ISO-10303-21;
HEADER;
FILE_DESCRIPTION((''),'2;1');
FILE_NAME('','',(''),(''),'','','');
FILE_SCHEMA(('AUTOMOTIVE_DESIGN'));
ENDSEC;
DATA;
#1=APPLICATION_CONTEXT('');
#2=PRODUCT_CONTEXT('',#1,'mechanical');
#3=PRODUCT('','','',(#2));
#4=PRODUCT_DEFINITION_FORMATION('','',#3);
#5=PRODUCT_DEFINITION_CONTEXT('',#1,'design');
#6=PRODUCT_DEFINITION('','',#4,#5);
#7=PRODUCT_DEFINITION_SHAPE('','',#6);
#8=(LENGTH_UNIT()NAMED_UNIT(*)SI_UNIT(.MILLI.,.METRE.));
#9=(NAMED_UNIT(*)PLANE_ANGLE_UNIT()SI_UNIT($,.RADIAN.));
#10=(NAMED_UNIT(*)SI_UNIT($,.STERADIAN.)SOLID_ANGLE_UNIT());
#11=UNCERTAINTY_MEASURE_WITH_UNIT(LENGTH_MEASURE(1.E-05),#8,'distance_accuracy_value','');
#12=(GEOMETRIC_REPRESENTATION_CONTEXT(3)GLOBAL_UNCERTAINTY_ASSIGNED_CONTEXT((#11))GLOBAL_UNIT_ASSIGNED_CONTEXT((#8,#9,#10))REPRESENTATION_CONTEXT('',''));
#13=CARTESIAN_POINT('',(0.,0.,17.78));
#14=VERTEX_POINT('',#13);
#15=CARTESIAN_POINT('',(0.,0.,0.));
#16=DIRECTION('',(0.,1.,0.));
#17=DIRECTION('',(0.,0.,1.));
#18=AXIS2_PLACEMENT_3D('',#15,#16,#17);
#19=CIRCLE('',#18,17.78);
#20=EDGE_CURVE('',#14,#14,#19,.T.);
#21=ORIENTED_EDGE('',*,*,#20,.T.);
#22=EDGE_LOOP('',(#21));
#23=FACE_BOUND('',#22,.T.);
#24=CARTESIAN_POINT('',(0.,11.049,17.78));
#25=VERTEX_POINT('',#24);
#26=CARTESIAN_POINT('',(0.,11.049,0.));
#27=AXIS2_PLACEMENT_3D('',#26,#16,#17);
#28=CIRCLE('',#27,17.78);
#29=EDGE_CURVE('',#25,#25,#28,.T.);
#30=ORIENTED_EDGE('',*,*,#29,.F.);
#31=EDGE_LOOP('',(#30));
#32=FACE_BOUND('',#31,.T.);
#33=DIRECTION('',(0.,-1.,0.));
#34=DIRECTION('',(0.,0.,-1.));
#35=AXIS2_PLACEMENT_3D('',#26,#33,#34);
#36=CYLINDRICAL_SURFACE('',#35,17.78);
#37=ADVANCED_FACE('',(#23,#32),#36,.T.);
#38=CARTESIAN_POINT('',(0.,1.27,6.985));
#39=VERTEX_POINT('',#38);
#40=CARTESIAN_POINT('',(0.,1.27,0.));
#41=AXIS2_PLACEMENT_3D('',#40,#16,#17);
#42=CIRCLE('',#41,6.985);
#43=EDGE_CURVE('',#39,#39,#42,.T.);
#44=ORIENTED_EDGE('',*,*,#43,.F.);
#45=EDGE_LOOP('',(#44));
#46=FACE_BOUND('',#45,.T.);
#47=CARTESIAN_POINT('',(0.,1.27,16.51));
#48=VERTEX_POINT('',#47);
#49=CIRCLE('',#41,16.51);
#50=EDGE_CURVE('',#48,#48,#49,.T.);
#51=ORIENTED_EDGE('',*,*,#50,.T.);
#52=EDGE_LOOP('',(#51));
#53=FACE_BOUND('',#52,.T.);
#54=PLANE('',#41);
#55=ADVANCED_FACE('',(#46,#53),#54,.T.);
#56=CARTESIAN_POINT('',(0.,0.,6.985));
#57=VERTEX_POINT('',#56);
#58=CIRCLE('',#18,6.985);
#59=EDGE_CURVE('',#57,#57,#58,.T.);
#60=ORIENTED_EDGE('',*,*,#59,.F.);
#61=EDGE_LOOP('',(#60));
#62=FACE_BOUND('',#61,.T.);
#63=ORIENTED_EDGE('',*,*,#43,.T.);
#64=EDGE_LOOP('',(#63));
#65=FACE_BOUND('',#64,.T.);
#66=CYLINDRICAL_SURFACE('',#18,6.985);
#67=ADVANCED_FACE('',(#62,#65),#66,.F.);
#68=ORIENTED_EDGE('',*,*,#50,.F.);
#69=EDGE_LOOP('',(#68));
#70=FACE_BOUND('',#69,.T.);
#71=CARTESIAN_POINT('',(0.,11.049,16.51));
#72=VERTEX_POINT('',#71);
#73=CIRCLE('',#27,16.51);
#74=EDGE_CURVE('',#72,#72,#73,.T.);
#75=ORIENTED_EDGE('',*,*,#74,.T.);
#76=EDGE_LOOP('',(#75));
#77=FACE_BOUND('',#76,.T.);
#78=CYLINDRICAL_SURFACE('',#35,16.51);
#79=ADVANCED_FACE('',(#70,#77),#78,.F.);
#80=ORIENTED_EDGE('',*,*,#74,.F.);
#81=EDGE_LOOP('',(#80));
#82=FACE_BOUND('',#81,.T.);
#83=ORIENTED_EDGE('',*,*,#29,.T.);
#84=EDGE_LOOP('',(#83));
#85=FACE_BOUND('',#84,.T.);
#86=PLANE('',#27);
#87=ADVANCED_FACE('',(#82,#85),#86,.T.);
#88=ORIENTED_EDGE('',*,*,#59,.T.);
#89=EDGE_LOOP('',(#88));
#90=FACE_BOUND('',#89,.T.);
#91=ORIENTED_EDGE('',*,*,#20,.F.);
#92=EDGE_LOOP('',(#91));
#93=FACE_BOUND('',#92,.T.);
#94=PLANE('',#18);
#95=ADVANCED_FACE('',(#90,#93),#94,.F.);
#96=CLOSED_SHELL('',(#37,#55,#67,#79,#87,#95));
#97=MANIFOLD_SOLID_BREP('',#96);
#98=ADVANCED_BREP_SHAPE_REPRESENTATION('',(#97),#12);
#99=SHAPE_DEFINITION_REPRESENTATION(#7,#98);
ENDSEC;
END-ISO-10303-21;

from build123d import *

# Parameters (mm, degrees)
SKETCH1_R           = 17.78
BOSS_EXTRUDE1_DEPTH = 11.049
SHELL1_T            = -1.27
SKETCH2_R           = 6.985
CUT_EXTRUDE1_DEPTH  = 27.97935583


with BuildPart() as part:
    # Sketch1 → Boss-Extrude1 (new body)
    with BuildSketch(Plane(origin=(0, 0, 0), x_dir=(1, 0, 0), z_dir=(0, 1, 0))):
        with Locations(Location((0, 0, 0), (0, 0, 270))):
            Circle(SKETCH1_R)
    extrude(amount=BOSS_EXTRUDE1_DEPTH)

    # Shell1
    shell1_openings = [part.faces().sort_by_distance(p)[0] for p in [
        (0, 11.049, 0),
    ]]
    offset(amount=SHELL1_T, openings=shell1_openings, kind=Kind.INTERSECTION)

    # Sketch2 → Cut-Extrude1 (cut, through all)
    with BuildSketch(Plane(origin=(0, 1.27, 0), x_dir=(1, 0, 0), z_dir=(0, 1, 0))):
        with Locations(Location((0, 0, 0), (0, 0, 270))):
            Circle(SKETCH2_R)
    extrude(amount=-CUT_EXTRUDE1_DEPTH, mode=Mode.SUBTRACT)


solid = part.part
